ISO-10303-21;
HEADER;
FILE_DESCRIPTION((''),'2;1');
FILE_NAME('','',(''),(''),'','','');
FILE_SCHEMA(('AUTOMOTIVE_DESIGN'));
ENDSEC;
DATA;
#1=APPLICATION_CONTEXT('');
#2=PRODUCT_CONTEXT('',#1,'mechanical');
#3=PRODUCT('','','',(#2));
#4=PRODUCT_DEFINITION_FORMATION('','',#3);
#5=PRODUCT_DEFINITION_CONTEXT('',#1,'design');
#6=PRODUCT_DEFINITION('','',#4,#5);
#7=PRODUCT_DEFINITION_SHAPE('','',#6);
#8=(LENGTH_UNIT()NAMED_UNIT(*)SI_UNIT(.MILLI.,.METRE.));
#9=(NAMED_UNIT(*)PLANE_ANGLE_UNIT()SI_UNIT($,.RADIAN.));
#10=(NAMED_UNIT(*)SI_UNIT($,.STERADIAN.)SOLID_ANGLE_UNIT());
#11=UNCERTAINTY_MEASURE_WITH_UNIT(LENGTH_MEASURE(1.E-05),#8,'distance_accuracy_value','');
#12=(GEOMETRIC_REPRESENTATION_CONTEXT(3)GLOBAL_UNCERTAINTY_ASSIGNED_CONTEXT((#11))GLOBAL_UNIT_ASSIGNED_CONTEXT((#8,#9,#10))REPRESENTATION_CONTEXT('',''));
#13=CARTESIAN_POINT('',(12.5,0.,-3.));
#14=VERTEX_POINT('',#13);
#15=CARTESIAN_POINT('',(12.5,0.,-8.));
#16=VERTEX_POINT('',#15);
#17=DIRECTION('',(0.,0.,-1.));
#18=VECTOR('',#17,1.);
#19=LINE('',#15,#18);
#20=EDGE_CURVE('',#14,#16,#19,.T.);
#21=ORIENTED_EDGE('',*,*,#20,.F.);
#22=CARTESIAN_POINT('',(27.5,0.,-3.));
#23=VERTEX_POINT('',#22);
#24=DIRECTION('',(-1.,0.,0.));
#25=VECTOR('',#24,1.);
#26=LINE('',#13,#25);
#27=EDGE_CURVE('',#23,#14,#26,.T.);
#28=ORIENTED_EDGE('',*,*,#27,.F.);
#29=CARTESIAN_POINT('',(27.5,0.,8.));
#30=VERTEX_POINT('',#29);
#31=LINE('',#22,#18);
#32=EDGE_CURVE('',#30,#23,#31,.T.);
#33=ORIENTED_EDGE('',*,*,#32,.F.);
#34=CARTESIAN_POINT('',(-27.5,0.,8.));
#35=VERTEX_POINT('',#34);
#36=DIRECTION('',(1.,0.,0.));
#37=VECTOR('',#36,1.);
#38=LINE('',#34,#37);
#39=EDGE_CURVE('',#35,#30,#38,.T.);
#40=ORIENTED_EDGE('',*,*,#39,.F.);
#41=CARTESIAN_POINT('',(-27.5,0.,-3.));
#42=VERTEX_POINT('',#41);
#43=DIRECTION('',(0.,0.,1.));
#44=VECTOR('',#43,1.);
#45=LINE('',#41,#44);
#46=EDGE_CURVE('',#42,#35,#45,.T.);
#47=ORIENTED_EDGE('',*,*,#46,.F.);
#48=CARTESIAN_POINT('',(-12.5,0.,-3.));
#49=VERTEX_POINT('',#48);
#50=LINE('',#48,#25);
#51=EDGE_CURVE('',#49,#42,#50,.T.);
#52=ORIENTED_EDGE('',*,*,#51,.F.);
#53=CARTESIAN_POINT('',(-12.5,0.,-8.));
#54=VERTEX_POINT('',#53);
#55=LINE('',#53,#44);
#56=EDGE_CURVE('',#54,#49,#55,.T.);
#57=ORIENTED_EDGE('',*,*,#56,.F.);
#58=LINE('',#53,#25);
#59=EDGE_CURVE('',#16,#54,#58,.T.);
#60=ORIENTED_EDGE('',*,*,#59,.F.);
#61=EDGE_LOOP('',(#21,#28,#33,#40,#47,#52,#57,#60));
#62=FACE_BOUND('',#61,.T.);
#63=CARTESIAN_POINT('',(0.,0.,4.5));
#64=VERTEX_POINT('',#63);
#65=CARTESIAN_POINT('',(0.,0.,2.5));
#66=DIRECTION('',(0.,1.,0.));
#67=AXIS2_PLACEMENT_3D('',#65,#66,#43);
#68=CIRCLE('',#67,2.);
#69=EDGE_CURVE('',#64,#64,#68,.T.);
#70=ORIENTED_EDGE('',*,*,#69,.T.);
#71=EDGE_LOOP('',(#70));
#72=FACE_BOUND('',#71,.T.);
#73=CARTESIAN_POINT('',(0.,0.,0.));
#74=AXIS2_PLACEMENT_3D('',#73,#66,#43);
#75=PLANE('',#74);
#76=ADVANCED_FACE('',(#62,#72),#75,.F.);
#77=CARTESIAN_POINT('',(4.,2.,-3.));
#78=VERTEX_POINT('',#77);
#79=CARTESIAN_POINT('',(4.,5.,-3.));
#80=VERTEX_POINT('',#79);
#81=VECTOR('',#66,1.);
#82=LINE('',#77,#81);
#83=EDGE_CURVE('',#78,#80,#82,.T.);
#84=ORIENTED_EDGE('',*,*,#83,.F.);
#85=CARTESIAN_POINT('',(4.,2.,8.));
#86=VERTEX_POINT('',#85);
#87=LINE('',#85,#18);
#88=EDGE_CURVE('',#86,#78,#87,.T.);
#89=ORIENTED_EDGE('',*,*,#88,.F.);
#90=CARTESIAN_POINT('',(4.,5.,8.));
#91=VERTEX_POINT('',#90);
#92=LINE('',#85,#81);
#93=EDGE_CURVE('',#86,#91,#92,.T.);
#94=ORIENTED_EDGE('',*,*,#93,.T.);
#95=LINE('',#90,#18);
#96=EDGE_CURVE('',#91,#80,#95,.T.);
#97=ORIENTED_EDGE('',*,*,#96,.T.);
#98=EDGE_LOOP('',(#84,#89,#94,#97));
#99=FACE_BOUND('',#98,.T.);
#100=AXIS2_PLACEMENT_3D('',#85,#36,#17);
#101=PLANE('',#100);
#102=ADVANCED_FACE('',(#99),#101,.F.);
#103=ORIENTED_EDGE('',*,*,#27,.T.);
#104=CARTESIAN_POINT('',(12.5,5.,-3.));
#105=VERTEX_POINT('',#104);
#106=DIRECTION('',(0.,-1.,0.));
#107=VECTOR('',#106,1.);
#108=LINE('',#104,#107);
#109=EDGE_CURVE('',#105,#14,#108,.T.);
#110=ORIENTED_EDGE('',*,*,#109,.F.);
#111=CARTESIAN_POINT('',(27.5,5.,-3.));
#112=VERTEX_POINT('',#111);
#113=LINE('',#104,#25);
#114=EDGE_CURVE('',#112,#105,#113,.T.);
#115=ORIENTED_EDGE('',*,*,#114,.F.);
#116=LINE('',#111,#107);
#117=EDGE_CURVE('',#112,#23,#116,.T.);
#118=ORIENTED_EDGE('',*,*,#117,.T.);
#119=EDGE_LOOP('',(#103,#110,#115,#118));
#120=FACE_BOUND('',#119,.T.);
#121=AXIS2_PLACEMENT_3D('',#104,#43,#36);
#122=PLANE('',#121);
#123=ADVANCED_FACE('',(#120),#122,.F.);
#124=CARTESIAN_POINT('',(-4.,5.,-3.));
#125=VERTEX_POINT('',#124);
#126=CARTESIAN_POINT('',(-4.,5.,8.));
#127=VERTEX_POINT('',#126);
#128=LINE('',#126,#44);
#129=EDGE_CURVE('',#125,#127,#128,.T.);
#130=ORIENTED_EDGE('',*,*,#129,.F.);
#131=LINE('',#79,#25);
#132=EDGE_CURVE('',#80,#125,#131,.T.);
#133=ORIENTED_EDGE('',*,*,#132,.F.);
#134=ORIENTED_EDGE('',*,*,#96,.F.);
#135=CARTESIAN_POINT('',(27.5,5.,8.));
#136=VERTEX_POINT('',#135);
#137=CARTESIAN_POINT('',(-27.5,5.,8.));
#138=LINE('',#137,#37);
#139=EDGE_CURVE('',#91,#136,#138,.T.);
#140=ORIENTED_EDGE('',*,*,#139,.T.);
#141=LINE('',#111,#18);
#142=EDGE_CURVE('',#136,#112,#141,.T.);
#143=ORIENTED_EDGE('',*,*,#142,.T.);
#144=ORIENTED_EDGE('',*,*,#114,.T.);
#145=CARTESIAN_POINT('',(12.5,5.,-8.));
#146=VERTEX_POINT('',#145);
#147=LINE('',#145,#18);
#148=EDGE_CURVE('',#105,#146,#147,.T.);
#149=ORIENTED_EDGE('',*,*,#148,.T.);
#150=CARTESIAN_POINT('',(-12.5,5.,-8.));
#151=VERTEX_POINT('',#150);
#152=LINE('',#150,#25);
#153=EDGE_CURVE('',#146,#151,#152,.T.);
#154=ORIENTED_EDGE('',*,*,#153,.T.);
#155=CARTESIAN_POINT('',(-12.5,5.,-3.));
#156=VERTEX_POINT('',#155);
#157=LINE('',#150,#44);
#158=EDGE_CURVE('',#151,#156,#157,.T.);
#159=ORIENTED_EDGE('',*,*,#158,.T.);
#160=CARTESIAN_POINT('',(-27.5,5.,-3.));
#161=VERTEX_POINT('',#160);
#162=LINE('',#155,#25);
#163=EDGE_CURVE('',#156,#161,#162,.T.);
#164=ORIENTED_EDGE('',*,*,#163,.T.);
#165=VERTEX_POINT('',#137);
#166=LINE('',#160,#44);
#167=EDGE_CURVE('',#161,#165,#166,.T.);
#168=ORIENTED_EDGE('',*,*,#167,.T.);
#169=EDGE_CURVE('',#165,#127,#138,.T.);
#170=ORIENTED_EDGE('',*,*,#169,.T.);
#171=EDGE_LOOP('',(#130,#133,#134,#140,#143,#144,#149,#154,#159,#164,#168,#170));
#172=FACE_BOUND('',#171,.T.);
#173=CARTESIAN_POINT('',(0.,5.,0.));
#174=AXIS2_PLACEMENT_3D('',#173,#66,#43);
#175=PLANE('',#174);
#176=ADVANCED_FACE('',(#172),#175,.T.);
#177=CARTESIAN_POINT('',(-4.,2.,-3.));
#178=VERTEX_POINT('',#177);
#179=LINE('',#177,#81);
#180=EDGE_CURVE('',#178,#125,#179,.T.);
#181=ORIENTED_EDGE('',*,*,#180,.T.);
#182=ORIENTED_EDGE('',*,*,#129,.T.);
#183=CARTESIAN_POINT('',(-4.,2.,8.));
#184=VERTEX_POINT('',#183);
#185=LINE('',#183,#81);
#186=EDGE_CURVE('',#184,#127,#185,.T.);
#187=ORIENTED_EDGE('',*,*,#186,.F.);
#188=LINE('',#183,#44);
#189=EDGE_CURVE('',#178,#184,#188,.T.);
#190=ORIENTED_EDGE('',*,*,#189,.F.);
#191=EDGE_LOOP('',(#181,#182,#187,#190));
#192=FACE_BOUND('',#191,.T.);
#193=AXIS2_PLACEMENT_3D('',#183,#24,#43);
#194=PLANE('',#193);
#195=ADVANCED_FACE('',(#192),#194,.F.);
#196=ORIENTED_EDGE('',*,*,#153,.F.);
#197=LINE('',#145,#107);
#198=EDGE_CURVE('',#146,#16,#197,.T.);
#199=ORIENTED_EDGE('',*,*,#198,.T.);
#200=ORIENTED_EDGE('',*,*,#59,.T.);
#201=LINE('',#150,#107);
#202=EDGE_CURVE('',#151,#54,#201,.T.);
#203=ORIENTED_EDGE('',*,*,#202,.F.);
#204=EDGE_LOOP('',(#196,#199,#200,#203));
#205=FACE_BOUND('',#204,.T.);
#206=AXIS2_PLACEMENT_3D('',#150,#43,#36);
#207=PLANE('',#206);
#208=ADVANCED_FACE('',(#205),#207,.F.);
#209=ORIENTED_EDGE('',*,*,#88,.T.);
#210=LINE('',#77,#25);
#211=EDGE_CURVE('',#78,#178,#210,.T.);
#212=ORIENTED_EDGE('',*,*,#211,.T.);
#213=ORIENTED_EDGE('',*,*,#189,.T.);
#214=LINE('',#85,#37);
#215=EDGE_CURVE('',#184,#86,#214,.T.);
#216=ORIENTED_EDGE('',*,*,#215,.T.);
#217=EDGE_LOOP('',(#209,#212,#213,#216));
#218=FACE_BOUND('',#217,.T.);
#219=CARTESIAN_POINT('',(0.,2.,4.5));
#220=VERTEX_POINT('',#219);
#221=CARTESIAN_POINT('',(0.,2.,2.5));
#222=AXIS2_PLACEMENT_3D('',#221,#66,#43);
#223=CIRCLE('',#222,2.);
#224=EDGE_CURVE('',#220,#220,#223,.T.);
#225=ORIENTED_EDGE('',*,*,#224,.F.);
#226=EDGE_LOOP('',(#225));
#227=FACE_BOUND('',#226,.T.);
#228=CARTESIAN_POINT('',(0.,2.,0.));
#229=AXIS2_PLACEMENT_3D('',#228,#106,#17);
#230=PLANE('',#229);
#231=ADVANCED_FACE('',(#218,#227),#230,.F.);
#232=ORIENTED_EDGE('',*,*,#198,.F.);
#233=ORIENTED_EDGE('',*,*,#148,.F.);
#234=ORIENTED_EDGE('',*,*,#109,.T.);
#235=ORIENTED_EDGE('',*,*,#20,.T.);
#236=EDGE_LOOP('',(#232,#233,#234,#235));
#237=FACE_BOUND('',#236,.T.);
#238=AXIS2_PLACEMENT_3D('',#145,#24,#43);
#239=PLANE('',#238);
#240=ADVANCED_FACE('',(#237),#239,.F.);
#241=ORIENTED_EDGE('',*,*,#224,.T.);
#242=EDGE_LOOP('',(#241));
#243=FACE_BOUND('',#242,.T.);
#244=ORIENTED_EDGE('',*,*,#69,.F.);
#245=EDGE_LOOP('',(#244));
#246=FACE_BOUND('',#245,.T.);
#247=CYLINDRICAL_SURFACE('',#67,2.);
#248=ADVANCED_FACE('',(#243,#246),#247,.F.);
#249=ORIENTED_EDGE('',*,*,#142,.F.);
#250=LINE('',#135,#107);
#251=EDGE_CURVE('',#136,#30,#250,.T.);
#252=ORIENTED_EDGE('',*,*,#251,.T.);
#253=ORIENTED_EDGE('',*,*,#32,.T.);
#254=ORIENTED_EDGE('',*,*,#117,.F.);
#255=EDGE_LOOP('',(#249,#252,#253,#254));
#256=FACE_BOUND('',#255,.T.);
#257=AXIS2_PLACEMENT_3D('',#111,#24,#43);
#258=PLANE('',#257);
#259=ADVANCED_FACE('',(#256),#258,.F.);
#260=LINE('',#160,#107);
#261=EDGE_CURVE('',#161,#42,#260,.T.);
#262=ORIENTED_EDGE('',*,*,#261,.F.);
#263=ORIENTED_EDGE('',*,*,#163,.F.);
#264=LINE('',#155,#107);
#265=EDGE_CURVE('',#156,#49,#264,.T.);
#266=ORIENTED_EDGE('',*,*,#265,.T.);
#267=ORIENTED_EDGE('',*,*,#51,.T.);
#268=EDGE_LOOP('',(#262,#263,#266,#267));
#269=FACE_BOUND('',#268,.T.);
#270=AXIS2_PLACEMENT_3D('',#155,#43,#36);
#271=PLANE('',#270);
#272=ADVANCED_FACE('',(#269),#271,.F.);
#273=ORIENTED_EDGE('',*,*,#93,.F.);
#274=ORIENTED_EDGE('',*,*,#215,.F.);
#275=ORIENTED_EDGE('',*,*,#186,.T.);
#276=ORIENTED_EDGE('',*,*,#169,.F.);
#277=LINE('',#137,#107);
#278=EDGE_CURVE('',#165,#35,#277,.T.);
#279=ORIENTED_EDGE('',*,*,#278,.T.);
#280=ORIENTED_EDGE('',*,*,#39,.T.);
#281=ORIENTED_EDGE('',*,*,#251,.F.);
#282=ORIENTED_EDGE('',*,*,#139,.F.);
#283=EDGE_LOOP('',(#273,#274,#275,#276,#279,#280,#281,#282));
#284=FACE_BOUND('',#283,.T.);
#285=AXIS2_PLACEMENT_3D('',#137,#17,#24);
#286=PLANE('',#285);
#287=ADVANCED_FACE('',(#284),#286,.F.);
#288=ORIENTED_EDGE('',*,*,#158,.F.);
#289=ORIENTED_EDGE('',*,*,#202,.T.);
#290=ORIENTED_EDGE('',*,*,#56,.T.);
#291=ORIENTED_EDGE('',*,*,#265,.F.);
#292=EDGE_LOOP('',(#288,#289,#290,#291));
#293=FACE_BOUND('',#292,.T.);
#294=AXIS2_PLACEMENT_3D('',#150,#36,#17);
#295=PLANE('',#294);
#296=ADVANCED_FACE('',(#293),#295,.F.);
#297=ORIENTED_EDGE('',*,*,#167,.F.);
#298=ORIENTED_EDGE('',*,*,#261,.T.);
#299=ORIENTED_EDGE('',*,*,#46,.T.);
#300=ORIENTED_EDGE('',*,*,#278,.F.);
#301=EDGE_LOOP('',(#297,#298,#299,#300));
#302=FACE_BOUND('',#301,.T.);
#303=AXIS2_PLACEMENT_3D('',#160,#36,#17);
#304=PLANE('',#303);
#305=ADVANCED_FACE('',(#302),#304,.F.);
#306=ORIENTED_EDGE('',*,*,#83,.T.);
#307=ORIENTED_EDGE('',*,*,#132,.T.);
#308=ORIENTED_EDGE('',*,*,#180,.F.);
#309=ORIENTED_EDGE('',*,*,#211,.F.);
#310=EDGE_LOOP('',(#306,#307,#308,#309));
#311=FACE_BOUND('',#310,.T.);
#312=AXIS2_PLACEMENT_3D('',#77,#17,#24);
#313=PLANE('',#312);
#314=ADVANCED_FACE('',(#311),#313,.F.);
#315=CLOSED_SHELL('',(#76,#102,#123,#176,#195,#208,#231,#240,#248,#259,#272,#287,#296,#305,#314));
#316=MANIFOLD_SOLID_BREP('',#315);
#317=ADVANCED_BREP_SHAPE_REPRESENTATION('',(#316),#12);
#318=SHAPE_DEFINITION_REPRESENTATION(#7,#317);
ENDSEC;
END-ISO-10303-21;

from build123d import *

# Parameters (mm, degrees)
BOSS_EXTRU_1_DEPTH      = 5
ESQUISSE2_W             = 8
ESQUISSE2_H             = 11
ENL_V_MAT_EXTRU_5_DEPTH = 3
ESQUISSE3_R             = 2
ENL_V_MAT_EXTRU_6_DEPTH = 29.7967012


with BuildPart() as part:
    # Esquisse1 → Boss.-Extru.1 (new body)
    with BuildSketch(Plane(origin=(0, 0, 0), x_dir=(1, 0, 0), z_dir=(0, 1, 0))):
        Polygon((-12.5, 8), (-12.5, 3), (-27.5, 3), (-27.5, -8), (27.5, -8), (27.5, 3), (12.5, 3), (12.5, 8), align=None)
    extrude(amount=BOSS_EXTRU_1_DEPTH)

    # Esquisse2 → Enlèv. mat.-Extru.5 (cut)
    with BuildSketch(Plane(origin=(0, 5, 0), x_dir=(1, 0, 0), z_dir=(0, 1, 0))):
        with Locations((0, -2.5)):
            Rectangle(ESQUISSE2_W, ESQUISSE2_H)
    extrude(amount=-ENL_V_MAT_EXTRU_5_DEPTH, mode=Mode.SUBTRACT)

    # Esquisse3 → Enlèv. mat.-Extru.6 (cut, through all)
    with BuildSketch(Plane(origin=(0, 2, 0), x_dir=(1, 0, 0), z_dir=(0, 1, 0))):
        with Locations(Location((0, -2.5, 0), (0, 0, 270))):
            Circle(ESQUISSE3_R)
    extrude(amount=-ENL_V_MAT_EXTRU_6_DEPTH, mode=Mode.SUBTRACT)


solid = part.part
